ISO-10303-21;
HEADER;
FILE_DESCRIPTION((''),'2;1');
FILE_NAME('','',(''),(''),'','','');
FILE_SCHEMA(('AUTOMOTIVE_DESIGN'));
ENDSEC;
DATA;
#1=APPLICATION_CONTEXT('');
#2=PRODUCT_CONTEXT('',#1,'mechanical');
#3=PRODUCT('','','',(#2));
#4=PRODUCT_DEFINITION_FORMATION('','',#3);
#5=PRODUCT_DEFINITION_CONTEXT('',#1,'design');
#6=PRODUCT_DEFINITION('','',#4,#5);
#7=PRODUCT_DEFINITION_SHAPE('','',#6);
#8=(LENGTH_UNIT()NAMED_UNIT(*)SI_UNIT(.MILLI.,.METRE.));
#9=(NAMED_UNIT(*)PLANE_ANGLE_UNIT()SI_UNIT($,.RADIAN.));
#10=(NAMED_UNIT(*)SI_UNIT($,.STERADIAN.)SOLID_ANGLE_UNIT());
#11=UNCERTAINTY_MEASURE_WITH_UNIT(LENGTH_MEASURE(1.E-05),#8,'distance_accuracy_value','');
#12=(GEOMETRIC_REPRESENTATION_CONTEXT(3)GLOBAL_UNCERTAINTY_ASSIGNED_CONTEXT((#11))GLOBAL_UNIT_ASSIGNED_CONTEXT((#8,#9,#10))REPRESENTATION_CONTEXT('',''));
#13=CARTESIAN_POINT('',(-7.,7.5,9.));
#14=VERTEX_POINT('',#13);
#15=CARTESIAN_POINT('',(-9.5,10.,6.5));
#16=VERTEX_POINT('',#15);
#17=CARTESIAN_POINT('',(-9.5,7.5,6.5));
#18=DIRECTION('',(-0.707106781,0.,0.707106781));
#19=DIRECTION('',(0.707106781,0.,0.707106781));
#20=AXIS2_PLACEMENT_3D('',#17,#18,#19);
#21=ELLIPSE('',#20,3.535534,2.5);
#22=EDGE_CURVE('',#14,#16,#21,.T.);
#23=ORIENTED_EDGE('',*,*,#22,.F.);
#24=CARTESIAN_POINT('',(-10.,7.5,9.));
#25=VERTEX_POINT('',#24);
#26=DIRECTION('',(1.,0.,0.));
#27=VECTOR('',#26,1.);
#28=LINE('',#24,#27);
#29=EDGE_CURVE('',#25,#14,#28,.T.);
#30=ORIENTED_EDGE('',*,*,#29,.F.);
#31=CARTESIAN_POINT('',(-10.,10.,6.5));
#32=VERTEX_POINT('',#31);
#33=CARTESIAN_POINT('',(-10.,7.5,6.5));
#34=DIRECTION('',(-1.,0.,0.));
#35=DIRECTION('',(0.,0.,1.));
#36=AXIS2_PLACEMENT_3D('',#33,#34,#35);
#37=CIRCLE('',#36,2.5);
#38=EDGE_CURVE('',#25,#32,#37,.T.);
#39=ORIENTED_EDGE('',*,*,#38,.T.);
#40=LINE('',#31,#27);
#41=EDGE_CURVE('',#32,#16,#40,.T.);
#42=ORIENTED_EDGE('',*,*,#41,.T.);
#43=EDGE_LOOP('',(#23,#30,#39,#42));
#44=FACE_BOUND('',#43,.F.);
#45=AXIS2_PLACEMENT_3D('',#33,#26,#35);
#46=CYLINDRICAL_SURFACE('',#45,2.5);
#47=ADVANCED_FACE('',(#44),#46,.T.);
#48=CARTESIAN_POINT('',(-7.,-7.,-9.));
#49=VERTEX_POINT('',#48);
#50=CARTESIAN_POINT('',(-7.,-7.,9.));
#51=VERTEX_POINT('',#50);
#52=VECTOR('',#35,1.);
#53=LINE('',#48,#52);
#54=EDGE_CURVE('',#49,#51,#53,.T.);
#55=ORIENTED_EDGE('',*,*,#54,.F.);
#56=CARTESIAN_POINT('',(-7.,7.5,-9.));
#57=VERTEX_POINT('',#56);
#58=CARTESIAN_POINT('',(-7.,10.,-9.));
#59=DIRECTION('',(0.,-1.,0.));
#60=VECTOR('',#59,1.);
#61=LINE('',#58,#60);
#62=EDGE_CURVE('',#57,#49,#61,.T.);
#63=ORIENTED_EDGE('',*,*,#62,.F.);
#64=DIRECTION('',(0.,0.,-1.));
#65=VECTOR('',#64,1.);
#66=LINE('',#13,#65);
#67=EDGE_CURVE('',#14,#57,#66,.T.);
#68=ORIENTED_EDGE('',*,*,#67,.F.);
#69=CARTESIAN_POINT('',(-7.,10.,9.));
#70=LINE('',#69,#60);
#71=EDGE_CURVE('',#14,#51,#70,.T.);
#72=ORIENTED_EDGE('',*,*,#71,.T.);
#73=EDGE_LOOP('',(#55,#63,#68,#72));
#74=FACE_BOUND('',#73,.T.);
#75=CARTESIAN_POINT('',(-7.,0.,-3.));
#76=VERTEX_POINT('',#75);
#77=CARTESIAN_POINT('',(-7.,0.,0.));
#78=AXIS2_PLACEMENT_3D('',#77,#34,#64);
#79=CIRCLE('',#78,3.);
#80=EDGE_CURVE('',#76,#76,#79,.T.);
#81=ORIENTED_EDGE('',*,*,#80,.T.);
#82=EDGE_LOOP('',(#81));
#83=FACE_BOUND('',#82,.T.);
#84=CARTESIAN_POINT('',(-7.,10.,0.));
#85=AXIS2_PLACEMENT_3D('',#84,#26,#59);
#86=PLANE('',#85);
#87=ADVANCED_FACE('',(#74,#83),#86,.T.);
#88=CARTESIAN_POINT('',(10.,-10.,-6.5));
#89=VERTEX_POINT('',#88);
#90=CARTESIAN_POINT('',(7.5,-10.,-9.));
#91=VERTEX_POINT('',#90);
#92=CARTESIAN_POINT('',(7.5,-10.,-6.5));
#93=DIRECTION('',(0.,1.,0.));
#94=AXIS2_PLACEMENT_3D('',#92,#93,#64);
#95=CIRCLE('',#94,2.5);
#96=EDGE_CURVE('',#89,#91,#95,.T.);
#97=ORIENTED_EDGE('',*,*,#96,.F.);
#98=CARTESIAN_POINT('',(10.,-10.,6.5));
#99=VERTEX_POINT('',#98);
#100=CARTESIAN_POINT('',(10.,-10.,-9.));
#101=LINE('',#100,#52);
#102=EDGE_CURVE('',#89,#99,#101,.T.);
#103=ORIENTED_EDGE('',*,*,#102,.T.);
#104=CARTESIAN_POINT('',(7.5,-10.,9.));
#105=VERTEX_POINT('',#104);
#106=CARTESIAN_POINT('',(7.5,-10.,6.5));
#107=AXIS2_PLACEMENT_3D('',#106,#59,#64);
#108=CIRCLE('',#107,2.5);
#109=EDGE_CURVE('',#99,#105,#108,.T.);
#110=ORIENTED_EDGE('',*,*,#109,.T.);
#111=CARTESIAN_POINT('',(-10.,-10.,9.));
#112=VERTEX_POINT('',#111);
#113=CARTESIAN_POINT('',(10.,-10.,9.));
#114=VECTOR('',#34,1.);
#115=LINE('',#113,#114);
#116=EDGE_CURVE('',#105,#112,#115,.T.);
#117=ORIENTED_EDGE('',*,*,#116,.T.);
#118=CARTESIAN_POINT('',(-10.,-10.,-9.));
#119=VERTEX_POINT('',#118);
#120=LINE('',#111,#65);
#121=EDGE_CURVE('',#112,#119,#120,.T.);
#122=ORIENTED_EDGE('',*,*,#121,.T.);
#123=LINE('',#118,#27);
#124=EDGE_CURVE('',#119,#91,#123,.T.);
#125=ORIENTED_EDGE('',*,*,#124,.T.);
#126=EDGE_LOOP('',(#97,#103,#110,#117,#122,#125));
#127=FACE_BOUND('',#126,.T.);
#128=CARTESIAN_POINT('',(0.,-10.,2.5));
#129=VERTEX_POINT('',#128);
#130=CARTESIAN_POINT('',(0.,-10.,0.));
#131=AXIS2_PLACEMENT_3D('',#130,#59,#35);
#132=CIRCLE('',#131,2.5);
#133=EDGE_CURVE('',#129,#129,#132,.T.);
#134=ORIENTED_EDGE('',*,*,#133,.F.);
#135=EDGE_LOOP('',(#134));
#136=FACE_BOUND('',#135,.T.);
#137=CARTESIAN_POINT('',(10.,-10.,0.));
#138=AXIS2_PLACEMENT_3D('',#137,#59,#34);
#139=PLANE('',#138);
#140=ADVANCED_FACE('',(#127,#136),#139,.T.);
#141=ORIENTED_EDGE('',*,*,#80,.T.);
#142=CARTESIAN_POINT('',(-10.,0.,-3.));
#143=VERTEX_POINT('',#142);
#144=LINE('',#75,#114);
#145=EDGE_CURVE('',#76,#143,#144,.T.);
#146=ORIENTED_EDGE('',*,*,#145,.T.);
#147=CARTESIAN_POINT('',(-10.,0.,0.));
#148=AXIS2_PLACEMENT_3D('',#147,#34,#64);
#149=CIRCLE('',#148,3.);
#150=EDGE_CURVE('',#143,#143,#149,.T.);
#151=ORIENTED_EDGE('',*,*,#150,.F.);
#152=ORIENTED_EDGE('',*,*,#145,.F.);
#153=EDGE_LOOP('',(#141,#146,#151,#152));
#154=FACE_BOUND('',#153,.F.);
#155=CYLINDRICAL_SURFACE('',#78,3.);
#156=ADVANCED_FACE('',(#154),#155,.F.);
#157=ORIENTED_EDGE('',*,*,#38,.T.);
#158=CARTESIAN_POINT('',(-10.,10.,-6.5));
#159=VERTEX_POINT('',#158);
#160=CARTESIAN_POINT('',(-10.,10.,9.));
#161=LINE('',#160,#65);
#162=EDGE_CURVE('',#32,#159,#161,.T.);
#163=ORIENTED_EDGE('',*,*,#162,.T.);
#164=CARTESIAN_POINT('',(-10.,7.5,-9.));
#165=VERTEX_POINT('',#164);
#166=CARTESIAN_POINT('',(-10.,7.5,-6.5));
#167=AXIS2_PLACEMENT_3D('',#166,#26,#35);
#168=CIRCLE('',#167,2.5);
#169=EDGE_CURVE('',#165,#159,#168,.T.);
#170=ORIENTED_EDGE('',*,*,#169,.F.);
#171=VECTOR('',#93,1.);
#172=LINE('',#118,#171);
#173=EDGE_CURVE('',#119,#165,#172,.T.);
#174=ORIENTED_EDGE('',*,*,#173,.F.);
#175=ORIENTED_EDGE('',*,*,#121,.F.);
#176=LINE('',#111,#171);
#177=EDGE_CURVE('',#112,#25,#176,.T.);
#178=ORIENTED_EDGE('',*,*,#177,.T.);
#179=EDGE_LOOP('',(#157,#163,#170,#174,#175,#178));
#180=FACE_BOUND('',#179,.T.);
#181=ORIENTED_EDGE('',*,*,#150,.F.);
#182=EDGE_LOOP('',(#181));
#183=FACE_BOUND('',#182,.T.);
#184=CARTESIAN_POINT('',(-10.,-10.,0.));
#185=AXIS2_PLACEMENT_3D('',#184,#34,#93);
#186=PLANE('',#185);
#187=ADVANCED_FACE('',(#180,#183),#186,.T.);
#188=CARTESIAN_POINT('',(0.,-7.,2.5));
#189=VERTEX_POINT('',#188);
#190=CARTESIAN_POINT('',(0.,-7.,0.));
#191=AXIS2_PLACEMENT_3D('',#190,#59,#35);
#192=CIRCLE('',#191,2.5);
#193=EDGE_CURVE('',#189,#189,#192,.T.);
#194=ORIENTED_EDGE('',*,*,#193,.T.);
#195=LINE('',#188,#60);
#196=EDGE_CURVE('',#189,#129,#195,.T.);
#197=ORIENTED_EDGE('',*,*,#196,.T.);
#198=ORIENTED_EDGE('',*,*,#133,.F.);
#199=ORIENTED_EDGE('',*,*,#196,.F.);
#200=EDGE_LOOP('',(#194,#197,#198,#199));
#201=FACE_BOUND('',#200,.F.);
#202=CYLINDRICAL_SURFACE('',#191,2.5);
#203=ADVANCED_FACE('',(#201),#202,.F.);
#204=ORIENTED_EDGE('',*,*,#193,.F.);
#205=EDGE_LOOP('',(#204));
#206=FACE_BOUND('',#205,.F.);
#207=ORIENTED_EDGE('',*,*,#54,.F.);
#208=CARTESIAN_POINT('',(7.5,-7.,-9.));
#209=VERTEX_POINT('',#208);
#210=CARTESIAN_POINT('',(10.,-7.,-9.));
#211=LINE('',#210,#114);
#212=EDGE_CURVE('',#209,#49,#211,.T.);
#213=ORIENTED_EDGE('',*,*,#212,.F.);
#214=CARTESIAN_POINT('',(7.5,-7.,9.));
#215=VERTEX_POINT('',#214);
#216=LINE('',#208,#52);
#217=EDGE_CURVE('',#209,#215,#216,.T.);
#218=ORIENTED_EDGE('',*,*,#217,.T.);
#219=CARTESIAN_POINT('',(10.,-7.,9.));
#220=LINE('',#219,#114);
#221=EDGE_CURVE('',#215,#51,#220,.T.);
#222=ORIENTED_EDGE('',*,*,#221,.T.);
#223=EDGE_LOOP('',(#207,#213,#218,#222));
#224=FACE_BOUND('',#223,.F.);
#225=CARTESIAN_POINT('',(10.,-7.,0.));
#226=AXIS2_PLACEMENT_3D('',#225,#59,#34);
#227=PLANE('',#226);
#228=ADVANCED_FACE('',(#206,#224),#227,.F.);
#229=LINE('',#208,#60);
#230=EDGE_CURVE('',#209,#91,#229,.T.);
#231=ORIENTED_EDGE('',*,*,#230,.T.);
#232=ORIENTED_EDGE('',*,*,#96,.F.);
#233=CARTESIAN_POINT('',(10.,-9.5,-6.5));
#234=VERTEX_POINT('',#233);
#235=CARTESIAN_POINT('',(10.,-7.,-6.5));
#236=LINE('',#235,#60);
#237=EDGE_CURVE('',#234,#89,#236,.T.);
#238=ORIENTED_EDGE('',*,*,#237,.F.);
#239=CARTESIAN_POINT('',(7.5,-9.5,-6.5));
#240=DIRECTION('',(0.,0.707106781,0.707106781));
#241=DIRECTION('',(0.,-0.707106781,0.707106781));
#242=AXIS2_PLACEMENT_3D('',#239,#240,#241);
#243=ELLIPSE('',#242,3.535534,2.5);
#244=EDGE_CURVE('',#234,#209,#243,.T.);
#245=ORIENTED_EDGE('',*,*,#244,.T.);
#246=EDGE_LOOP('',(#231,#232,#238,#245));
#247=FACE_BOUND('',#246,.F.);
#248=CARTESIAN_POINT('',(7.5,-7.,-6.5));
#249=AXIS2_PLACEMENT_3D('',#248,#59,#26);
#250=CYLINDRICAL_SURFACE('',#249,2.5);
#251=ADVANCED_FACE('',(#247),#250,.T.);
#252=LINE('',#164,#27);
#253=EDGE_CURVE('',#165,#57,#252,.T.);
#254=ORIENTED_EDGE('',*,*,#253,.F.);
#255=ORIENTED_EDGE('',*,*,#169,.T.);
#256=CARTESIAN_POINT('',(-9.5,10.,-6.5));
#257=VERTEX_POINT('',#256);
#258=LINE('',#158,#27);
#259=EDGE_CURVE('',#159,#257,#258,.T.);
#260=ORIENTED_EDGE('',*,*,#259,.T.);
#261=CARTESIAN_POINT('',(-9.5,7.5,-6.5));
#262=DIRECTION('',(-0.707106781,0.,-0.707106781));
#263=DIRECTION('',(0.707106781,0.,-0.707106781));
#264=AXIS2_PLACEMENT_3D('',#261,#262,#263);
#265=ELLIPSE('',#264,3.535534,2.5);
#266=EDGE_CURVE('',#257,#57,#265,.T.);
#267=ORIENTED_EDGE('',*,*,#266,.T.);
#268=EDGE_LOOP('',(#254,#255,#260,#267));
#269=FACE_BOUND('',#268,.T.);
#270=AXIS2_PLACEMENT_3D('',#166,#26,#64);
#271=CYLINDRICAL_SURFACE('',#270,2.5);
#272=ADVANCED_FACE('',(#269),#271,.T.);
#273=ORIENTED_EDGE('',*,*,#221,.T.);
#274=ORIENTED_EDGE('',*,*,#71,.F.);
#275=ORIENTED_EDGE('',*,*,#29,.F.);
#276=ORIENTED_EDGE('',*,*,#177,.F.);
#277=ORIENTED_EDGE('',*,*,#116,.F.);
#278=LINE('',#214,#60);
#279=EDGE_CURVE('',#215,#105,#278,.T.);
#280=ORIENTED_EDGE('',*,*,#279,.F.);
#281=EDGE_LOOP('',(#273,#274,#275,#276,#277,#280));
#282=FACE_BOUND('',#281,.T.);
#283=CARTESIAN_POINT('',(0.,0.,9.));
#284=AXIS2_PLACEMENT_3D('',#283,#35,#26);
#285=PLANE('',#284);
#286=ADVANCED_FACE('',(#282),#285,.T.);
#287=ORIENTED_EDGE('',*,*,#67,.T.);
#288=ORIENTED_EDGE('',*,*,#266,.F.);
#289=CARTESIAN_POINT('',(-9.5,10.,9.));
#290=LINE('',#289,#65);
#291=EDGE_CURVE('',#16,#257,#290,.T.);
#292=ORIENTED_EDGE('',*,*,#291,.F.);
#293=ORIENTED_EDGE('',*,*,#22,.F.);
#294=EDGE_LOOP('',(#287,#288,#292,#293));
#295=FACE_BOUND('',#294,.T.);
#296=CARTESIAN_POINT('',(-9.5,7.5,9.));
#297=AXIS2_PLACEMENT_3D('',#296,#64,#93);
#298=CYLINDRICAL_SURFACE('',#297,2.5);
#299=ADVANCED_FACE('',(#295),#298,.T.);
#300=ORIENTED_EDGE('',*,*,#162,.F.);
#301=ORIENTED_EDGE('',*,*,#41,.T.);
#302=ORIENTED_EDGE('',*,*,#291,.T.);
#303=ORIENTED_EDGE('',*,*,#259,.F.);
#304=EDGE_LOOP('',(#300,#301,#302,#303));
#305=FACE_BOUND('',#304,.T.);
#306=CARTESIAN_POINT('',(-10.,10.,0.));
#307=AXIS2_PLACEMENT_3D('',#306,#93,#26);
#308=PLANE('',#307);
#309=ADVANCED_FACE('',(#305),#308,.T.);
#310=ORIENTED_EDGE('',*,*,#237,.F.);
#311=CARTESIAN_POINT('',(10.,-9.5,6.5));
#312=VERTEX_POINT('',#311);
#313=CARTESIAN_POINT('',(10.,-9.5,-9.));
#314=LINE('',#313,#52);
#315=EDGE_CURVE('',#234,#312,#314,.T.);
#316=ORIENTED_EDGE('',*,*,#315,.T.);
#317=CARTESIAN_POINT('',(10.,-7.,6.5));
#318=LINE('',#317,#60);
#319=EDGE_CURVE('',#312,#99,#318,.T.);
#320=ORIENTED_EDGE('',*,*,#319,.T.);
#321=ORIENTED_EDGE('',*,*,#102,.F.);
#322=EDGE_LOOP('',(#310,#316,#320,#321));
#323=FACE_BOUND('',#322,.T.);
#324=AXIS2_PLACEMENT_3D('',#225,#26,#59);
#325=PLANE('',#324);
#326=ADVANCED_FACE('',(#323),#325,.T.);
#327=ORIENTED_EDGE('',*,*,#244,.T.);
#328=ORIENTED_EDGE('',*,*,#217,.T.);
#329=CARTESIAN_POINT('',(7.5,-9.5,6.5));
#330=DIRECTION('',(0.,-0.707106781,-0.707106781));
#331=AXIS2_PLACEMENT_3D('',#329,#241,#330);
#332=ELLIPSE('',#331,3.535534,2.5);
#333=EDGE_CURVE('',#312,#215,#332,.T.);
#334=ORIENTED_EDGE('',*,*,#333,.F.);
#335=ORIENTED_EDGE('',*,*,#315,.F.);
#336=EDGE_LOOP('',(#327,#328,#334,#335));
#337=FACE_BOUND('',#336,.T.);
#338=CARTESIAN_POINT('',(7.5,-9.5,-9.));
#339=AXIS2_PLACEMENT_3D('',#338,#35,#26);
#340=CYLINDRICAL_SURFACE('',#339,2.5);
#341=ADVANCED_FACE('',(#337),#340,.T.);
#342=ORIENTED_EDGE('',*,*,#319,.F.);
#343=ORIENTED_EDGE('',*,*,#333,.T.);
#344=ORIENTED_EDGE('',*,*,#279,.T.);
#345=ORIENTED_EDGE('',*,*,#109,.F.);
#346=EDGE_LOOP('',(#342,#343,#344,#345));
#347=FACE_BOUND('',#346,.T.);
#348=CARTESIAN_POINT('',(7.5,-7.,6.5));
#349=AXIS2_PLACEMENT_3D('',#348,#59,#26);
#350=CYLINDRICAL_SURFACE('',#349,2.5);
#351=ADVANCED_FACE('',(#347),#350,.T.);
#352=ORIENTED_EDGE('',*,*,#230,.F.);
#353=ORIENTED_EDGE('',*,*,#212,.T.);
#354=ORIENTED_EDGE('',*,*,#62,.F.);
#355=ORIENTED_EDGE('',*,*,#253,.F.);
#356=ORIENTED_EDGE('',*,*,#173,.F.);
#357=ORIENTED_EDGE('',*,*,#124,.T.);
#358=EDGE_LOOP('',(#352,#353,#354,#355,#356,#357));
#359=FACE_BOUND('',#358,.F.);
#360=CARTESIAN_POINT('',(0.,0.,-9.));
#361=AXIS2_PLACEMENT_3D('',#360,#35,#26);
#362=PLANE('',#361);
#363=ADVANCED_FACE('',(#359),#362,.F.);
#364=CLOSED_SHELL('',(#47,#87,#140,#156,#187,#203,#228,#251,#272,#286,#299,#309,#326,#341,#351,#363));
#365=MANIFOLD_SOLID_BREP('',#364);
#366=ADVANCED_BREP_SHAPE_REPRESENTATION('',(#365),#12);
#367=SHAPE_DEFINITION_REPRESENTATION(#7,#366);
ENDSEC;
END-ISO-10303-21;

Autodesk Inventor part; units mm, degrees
ref_plane "YZ Plane" through (0, 0, 0) normal (1, 0, 0) x (0, 1, 0)
ref_plane "XZ Plane" through (0, 0, 0) normal (0, 1, 0) x (-1, 0, 0)
ref_plane "XY Plane" through (0, 0, 0) normal (0, 0, 1) x (1, 0, 0)
sketch "Esboço1" plane through (0, 0, 0) normal (0, 0, 1) x (1, 0, 0)
  line L0 (10, -10) -> (-10, -10)
  line L1 (-10, -10) -> (-10, 10)
  line L2 (-10, 10) -> (-7, 10)
  line L3 (10, -7) -> (10, -10)
  line L4 (10, -10) -> (-10, 10) construction
  line L5 (-10, -10) -> (10, 10) construction
  line L6 (10, -7) -> (-7, -7)
  line L7 (-7, 10) -> (-7, -7)
  line L8 (-7, -10) -> (-7, -10.3421)
  point P0 (0, 0)
  dimension "d0" = 20
  dimension "d1" = 20
  dimension "d4" = 3
  dimension "d8" = 45
  dimension "d9" = 17
extrude "Extrusão1" add sketch "Esboço1" along normal mid plane 18
fillet "Arredondamento1" radius 2.5 6 edges at (-8.5, 10, 9) (-7, 10, 0) (-8.5, 10, -9) (10, -8.5, 9) (10, -7, 0) (10, -8.5, -9)
hole "Furo1" at (-7, 0, 0) direction (-1, 0, 0) diameter 6 end through all
hole "Furo2" at (0, -7, 0) direction (0, -1, 0) diameter 5 end through all
properties part number "Cantoneira" material "Cobre"
